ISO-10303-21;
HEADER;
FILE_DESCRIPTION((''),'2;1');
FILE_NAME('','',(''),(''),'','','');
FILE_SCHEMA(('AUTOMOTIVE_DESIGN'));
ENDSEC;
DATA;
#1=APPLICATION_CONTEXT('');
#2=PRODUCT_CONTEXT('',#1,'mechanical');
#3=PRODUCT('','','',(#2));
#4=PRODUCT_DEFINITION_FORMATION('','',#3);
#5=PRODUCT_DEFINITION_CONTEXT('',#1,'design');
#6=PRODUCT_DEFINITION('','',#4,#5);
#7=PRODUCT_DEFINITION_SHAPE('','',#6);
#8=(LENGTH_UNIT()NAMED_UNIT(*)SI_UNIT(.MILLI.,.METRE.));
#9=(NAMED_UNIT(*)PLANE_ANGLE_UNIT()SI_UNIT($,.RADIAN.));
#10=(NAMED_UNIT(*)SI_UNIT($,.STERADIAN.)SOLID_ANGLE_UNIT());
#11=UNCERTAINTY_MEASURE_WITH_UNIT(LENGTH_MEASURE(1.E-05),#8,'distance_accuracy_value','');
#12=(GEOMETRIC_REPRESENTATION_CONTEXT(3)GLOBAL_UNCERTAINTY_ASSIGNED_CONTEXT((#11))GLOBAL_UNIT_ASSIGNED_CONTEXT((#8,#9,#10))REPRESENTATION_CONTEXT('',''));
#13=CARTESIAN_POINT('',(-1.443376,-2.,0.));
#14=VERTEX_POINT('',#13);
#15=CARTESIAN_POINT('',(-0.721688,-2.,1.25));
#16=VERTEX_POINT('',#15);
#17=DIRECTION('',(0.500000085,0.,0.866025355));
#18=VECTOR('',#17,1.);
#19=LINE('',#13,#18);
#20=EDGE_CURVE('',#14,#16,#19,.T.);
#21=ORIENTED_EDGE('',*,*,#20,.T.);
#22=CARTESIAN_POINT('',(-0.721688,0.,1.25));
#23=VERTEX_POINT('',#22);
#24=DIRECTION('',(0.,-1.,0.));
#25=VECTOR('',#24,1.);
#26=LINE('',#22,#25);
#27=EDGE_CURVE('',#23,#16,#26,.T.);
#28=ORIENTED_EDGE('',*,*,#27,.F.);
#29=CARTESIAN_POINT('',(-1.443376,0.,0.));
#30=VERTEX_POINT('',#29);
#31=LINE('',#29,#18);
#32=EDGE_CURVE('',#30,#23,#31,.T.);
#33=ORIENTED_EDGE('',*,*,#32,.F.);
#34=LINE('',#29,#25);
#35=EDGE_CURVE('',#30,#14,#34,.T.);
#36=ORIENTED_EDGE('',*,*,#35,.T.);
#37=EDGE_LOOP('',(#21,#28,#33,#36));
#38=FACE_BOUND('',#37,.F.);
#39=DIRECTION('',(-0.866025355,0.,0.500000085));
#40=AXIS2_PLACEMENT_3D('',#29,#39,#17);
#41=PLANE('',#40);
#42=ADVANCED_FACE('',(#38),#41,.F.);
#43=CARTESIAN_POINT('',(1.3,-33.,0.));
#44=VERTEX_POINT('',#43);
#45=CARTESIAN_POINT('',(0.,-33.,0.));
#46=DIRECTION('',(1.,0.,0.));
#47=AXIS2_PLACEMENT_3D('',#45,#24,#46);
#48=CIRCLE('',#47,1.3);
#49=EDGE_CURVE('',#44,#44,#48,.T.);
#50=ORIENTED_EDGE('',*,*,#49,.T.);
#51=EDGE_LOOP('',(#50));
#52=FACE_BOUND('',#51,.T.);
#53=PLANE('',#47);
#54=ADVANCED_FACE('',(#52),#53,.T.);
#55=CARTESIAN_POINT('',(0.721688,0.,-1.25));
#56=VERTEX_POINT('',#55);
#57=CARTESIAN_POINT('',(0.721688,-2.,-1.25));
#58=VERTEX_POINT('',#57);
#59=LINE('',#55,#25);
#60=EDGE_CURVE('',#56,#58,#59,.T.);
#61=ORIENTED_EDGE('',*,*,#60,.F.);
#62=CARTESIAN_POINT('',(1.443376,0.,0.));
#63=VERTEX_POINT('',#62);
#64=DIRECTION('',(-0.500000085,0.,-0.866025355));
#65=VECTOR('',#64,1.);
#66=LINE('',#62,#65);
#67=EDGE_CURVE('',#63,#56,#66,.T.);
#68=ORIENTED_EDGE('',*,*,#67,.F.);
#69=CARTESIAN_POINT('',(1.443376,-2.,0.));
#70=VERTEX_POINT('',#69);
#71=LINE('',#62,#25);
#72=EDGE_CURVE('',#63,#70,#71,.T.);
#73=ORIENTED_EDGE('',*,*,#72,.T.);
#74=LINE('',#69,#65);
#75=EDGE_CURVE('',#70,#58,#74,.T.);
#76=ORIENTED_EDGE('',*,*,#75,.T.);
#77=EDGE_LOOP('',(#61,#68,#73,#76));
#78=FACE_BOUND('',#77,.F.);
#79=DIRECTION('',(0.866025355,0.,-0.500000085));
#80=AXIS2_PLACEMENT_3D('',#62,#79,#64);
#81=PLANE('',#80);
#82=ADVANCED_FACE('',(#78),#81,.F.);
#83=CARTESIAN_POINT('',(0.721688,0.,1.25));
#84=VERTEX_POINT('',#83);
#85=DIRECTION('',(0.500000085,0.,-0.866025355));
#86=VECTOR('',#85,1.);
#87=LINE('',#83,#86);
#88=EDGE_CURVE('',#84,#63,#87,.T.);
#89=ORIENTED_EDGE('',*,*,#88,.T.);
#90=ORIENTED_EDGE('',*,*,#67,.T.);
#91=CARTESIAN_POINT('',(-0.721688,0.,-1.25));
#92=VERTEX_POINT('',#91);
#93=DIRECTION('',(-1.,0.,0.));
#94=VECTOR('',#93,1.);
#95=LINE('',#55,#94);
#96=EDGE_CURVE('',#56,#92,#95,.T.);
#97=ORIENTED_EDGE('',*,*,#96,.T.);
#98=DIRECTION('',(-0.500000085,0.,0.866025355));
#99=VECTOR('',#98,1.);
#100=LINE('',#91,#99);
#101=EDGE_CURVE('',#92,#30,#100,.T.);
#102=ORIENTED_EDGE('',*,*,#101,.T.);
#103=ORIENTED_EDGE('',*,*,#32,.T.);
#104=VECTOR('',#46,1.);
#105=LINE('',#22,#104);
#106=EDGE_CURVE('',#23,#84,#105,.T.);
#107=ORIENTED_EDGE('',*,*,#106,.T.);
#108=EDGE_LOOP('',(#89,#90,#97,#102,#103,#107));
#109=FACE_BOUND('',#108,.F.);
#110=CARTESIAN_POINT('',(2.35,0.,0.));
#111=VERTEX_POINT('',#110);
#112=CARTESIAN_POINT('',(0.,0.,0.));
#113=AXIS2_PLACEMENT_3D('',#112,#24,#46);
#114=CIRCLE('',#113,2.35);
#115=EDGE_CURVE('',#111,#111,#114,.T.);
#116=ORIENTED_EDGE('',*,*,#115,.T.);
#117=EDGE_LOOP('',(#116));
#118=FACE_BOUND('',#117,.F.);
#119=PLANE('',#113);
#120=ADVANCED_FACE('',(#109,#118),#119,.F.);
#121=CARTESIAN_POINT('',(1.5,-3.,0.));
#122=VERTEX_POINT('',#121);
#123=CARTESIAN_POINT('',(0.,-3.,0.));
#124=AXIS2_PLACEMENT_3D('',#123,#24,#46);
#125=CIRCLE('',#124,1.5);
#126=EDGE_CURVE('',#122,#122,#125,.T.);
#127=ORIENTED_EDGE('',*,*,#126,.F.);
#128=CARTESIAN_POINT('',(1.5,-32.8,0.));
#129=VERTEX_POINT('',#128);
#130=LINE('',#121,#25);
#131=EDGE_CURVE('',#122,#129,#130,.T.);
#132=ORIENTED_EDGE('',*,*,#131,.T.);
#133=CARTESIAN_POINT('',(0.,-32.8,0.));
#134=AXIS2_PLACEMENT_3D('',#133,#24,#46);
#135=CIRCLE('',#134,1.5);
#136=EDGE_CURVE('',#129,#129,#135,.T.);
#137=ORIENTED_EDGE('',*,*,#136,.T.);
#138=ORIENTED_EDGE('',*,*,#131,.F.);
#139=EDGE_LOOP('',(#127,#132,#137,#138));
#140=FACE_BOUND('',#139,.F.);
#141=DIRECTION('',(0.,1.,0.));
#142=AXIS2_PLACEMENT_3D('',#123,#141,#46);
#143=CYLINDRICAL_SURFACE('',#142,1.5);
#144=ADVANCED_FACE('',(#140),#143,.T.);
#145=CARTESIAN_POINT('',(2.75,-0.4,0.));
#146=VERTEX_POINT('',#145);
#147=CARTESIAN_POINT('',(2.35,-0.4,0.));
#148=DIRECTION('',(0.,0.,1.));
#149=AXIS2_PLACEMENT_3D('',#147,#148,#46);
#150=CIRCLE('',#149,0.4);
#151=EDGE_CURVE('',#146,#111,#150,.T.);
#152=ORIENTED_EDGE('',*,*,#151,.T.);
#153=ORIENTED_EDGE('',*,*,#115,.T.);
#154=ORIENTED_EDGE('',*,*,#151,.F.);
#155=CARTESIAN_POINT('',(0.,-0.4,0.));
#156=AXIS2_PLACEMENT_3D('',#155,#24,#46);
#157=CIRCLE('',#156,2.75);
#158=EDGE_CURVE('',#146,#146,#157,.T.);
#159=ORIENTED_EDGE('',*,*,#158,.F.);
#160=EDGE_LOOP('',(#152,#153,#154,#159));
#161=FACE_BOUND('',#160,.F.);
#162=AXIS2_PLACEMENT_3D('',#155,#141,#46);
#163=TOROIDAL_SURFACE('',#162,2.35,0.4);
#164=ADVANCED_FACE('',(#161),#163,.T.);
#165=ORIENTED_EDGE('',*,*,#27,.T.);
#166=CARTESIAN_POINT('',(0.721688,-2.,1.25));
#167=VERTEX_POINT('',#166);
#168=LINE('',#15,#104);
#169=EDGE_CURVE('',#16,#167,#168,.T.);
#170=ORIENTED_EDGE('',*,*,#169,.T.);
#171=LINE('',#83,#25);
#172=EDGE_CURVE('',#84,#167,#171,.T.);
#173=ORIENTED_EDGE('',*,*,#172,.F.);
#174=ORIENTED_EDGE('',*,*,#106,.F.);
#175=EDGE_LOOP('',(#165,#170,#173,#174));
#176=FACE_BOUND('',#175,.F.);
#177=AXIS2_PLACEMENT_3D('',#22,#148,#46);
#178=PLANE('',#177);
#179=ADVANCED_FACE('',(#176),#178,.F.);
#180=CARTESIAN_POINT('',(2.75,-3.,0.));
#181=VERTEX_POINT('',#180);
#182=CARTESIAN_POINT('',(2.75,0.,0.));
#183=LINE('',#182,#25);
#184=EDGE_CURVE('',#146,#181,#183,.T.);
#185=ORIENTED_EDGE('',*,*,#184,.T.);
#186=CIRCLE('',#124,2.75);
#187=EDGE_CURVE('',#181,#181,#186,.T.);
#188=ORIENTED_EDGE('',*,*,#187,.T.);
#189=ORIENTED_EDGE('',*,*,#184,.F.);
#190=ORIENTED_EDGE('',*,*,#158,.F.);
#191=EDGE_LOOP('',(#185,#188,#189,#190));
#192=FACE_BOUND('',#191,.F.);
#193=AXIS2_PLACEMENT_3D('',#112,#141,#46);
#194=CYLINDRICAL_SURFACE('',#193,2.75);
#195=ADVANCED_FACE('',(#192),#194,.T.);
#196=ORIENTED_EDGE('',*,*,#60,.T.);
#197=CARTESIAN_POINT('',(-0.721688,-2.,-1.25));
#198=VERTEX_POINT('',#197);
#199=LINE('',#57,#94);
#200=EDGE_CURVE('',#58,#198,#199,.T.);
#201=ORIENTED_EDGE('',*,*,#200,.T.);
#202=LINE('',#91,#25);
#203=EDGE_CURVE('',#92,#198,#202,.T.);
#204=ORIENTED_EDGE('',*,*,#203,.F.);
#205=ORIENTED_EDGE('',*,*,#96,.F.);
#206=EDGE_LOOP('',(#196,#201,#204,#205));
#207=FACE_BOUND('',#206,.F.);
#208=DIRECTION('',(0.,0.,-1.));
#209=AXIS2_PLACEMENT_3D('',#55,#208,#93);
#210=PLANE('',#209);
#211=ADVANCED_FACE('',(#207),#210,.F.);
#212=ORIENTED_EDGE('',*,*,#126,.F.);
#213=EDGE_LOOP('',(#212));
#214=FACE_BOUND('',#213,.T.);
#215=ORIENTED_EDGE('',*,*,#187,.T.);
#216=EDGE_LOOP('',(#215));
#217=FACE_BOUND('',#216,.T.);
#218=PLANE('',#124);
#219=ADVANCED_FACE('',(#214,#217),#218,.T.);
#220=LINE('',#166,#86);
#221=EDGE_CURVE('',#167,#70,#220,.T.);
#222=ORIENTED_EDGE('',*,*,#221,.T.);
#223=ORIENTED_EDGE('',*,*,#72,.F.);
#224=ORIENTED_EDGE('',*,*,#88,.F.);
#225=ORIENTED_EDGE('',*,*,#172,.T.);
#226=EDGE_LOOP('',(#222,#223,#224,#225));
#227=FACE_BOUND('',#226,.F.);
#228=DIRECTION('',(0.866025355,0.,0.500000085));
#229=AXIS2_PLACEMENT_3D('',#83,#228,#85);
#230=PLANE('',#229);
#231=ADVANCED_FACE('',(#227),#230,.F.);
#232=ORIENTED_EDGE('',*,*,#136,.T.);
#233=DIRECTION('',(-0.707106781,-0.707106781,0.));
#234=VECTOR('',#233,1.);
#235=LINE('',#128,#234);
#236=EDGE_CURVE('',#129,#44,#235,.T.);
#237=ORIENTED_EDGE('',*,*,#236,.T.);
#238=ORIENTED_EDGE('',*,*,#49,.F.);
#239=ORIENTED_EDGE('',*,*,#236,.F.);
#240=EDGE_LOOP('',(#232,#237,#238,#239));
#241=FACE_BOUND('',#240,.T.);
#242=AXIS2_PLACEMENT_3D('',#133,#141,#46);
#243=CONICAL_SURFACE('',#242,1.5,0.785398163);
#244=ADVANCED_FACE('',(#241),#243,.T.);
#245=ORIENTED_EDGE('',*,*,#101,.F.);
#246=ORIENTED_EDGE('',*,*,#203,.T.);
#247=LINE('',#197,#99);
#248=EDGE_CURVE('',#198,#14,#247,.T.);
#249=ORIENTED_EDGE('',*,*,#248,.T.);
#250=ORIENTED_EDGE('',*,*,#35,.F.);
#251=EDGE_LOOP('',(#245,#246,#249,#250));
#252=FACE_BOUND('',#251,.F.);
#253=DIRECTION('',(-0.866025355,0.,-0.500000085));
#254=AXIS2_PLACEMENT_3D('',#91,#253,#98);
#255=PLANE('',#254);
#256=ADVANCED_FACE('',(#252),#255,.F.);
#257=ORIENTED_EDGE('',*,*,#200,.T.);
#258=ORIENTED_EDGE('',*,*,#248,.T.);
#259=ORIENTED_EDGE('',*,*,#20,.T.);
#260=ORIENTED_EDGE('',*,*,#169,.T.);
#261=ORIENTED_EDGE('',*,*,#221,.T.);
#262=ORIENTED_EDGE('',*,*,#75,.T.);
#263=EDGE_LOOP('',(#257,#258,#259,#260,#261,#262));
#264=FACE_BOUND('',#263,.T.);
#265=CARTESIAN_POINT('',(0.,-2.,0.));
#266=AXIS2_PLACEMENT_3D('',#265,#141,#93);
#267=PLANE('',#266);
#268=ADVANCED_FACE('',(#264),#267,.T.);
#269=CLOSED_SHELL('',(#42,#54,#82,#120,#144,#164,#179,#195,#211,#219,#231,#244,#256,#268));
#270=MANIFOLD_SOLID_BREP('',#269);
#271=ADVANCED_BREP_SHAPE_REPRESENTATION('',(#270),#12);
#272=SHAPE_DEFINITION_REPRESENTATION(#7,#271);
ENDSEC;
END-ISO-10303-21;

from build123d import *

# Parameters (mm, degrees)
F0_R     = 2.75
F1_DEPTH = 3
F2_R     = 1.5
F3_DEPTH = 30
F4_SIZE  = 0.2
F6_DEPTH = 2
F7_R     = 0.4


with BuildPart() as f1:
    # F0 (on Front) → F1 (new body)
    with BuildSketch(Plane.XZ):
        Circle(F0_R)
    extrude(amount=F1_DEPTH)

    # F2 (on face) → F3 (join)
    with BuildSketch(Plane.XZ.offset(3)):
        Circle(F2_R)
    extrude(amount=F3_DEPTH)

    # F4
    f4_edges = [f1.edges().sort_by_distance(p)[0] for p in [
        (-1.5, -33, 0),
    ]]
    chamfer(f4_edges, length=F4_SIZE)

    # F5 (on face) → F6 (cut)
    with BuildSketch(Plane(origin=(0, 0, 0), x_dir=(-1, 0, 0), z_dir=(0, 1, 0))):
        Polygon((1.443376, 0), (0.721688, 1.25), (-0.721688, 1.25), (-1.443376, 0), (-0.721688, -1.25), (0.721688, -1.25), align=None)
    extrude(amount=-F6_DEPTH, mode=Mode.SUBTRACT)

    # F7
    f7_edges = [f1.edges().sort_by_distance(p)[0] for p in [
        (-2.75, 0, 0),
    ]]
    fillet(f7_edges, radius=F7_R)


solid = f1.part
